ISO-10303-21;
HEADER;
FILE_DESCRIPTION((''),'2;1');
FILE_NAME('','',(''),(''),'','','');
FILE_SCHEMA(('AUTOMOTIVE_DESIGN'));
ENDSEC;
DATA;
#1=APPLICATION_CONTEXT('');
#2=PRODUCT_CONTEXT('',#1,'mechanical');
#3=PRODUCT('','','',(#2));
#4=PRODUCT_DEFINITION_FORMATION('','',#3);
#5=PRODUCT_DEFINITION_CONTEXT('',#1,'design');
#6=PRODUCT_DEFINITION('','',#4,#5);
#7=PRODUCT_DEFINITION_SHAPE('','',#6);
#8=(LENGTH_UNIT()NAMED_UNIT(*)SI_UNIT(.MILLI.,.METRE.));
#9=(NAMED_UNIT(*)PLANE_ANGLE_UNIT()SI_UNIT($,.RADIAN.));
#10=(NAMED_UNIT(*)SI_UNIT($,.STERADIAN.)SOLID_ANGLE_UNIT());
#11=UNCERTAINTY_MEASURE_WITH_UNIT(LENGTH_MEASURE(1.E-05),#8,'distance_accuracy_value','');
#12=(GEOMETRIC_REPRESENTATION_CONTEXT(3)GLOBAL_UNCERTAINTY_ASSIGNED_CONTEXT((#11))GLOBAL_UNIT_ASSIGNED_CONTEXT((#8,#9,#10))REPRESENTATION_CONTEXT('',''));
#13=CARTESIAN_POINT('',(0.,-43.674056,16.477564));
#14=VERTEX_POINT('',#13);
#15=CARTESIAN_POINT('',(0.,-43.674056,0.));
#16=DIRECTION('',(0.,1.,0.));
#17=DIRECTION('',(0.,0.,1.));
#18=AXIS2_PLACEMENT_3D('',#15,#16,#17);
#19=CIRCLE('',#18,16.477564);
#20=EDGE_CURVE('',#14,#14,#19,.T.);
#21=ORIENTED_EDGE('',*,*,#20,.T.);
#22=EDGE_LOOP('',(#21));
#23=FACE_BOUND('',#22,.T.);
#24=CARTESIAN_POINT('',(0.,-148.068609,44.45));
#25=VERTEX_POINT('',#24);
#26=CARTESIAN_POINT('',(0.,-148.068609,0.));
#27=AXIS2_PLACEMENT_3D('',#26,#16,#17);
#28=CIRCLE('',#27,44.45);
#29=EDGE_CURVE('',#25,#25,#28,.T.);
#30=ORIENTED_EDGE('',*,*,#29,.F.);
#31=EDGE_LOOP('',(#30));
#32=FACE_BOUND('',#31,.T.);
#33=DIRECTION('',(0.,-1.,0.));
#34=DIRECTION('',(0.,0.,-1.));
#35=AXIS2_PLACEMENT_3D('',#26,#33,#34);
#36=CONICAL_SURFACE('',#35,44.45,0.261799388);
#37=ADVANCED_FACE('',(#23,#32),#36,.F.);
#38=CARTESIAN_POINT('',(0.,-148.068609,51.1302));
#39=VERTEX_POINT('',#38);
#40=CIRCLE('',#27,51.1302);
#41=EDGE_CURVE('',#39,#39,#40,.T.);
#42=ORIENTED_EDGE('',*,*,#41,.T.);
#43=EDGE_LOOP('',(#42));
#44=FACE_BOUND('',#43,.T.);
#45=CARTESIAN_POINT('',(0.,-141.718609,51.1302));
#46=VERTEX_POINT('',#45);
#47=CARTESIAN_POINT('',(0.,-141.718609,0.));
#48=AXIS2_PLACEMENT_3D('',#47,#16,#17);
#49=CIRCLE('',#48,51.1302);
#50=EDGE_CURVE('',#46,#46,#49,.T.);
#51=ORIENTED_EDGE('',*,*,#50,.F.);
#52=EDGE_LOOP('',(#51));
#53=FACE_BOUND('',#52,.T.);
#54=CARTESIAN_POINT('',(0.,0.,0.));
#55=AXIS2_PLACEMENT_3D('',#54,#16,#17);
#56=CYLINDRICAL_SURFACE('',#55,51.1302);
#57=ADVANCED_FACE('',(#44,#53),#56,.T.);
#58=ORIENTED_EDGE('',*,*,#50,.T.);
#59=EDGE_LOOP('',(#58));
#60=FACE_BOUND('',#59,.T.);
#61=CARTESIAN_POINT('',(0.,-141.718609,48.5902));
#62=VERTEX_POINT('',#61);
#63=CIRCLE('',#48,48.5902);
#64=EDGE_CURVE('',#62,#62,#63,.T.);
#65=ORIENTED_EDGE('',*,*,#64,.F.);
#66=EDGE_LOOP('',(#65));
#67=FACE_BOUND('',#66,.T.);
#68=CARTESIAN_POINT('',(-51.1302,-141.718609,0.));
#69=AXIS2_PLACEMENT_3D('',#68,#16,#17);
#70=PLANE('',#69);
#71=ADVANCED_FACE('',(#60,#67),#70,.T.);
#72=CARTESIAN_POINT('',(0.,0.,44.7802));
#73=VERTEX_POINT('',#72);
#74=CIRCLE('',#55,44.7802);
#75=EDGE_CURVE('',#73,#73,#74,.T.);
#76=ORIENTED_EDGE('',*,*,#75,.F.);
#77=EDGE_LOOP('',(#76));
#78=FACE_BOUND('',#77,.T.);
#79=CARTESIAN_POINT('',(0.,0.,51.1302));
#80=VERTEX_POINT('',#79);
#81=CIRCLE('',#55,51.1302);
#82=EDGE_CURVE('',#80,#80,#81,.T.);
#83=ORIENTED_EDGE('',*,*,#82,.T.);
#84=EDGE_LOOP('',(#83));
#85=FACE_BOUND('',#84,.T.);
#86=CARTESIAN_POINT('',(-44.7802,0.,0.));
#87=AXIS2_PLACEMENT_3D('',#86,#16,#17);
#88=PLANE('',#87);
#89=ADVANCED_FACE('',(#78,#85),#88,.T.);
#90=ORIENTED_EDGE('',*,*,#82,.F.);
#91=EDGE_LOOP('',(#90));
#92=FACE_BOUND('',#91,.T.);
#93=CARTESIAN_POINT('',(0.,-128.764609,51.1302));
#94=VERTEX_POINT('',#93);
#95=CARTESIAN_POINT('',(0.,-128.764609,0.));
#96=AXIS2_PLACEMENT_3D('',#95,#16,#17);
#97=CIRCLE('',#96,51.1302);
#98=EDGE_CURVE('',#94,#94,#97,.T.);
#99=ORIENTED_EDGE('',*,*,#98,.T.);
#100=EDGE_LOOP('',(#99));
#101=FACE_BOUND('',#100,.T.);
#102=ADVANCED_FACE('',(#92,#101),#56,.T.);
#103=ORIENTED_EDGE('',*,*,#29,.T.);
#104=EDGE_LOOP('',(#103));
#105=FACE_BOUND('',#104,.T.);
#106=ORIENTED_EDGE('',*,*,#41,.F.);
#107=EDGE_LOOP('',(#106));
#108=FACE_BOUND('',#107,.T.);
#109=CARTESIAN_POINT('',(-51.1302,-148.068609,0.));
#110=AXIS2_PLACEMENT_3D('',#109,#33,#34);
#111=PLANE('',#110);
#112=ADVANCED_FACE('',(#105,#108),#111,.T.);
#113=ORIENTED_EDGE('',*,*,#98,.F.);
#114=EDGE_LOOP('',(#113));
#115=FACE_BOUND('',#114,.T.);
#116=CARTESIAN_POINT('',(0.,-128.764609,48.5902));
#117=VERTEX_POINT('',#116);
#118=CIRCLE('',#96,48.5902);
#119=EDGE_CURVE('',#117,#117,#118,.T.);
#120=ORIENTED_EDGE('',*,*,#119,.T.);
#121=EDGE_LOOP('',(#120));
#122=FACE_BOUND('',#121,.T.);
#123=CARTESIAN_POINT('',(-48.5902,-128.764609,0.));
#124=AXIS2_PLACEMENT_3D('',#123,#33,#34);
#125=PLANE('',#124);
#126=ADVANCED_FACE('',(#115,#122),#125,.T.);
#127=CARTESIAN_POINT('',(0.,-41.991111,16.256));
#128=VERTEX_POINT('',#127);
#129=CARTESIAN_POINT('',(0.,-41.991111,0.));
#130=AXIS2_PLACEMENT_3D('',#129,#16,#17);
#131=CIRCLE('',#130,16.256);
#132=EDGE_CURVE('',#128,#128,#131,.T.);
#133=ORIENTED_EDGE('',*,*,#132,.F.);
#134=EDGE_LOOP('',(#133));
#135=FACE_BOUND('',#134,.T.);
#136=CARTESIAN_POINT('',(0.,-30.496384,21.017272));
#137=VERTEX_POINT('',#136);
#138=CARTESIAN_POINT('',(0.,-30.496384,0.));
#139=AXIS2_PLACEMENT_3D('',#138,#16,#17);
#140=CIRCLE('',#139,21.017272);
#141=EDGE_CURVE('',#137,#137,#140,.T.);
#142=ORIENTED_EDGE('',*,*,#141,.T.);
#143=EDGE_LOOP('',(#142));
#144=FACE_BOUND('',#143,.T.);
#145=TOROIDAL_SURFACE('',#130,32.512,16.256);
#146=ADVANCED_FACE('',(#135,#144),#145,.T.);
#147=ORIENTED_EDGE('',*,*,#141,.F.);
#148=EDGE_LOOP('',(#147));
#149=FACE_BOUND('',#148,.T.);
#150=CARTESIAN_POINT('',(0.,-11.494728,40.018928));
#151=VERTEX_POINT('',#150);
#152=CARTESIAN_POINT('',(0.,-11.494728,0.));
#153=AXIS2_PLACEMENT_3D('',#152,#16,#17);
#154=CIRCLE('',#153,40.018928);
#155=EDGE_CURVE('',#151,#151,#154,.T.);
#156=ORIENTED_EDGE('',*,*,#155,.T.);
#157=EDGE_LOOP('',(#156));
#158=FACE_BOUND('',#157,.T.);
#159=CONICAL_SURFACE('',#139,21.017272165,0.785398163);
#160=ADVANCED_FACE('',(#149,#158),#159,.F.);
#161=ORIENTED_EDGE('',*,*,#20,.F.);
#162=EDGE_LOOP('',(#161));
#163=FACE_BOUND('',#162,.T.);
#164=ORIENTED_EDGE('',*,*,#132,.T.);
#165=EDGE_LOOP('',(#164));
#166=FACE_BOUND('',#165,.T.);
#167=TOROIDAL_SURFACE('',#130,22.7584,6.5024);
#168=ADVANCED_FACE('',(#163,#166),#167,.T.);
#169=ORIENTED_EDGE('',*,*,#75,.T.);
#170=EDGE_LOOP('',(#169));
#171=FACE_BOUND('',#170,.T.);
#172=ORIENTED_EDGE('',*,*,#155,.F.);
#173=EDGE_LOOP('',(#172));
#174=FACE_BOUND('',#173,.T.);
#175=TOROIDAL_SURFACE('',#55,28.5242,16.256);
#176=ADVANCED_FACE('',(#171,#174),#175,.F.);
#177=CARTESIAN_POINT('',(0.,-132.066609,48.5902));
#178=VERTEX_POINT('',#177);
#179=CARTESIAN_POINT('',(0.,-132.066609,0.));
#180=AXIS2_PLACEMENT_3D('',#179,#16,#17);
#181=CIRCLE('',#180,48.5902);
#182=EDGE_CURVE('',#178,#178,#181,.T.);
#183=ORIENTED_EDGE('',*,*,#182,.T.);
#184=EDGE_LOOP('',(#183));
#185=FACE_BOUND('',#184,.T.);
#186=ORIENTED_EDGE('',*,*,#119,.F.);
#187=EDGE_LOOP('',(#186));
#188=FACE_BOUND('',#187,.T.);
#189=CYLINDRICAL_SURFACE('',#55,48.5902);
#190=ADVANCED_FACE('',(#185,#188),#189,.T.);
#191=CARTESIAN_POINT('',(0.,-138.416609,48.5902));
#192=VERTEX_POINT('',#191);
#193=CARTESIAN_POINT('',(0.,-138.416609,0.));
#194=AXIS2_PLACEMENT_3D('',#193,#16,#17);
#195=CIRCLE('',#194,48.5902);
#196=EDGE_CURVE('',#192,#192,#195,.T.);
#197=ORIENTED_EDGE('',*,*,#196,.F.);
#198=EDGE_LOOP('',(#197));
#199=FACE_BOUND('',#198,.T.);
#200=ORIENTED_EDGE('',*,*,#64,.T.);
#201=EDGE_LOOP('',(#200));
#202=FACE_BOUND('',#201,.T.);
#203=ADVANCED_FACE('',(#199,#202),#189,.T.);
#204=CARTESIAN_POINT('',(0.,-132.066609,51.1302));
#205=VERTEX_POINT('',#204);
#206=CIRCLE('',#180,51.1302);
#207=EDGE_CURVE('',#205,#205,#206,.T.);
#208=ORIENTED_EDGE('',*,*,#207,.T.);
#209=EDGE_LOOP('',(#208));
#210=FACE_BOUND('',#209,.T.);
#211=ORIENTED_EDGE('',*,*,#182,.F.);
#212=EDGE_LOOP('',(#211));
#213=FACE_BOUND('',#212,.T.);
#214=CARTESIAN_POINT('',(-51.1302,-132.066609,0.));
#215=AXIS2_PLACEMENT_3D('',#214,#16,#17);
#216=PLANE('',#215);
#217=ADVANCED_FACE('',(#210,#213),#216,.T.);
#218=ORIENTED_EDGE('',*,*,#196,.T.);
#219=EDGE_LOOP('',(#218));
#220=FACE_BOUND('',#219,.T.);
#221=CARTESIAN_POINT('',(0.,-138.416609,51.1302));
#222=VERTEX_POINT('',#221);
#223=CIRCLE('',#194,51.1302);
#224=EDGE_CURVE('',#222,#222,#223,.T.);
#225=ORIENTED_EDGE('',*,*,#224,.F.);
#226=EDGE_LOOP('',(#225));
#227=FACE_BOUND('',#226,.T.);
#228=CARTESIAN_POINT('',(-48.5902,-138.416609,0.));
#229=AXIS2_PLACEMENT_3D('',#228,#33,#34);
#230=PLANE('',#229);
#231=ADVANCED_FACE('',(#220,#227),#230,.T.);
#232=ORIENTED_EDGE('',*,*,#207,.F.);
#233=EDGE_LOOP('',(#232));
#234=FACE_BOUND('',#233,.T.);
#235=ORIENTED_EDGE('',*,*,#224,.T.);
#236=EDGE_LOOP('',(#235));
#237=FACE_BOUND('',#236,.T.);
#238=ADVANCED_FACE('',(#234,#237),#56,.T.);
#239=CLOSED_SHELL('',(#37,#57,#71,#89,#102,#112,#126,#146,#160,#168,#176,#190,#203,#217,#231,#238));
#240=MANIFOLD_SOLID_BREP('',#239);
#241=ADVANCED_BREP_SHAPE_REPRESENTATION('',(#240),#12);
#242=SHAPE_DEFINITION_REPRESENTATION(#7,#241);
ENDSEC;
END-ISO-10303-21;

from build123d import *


with BuildPart() as part:
    # Sketch1 → Revolve1 (revolve)
    with BuildSketch(Plane.XY):
        with BuildLine():
            Line((-51.1302, 0), (-51.1302, -128.764609009))
            Line((-51.1302, -128.764609009), (-48.5902, -128.764609009))
            Line((-48.5902, -128.764609009), (-48.5902, -132.066609009))
            Line((-48.5902, -132.066609009), (-51.1302, -132.066609009))
            Line((-51.1302, -132.066609009), (-51.1302, -138.416609009))
            Line((-51.1302, -138.416609009), (-48.5902, -138.416609009))
            Line((-48.5902, -138.416609009), (-48.5902, -141.718609009))
            Line((-48.5902, -141.718609009), (-51.1302, -141.718609009))
            Line((-51.1302, -141.718609009), (-51.1302, -148.068609009))
            Line((-51.1302, -148.068609009), (-44.45, -148.068609009))
            Line((-44.45, -148.068609009), (-16.477563907, -43.674056299))
            ThreePointArc((-16.477563907, -43.674056299), (-16.311628933, -42.839844852), (-16.256, -41.99111134))
            ThreePointArc((-16.256, -41.99111134), (-17.493414319, -35.770209463), (-21.017272165, -30.496383505))
            Line((-21.017272165, -30.496383505), (-40.018927835, -11.494727835))
            ThreePointArc((-40.018927835, -11.494727835), (-43.542785681, -6.220901877), (-44.7802, 0))
            Line((-44.7802, 0), (-51.1302, 0))
        make_face()
    revolve(axis=Axis((0, 0, 0), (0, -1, 0)))


solid = part.part
